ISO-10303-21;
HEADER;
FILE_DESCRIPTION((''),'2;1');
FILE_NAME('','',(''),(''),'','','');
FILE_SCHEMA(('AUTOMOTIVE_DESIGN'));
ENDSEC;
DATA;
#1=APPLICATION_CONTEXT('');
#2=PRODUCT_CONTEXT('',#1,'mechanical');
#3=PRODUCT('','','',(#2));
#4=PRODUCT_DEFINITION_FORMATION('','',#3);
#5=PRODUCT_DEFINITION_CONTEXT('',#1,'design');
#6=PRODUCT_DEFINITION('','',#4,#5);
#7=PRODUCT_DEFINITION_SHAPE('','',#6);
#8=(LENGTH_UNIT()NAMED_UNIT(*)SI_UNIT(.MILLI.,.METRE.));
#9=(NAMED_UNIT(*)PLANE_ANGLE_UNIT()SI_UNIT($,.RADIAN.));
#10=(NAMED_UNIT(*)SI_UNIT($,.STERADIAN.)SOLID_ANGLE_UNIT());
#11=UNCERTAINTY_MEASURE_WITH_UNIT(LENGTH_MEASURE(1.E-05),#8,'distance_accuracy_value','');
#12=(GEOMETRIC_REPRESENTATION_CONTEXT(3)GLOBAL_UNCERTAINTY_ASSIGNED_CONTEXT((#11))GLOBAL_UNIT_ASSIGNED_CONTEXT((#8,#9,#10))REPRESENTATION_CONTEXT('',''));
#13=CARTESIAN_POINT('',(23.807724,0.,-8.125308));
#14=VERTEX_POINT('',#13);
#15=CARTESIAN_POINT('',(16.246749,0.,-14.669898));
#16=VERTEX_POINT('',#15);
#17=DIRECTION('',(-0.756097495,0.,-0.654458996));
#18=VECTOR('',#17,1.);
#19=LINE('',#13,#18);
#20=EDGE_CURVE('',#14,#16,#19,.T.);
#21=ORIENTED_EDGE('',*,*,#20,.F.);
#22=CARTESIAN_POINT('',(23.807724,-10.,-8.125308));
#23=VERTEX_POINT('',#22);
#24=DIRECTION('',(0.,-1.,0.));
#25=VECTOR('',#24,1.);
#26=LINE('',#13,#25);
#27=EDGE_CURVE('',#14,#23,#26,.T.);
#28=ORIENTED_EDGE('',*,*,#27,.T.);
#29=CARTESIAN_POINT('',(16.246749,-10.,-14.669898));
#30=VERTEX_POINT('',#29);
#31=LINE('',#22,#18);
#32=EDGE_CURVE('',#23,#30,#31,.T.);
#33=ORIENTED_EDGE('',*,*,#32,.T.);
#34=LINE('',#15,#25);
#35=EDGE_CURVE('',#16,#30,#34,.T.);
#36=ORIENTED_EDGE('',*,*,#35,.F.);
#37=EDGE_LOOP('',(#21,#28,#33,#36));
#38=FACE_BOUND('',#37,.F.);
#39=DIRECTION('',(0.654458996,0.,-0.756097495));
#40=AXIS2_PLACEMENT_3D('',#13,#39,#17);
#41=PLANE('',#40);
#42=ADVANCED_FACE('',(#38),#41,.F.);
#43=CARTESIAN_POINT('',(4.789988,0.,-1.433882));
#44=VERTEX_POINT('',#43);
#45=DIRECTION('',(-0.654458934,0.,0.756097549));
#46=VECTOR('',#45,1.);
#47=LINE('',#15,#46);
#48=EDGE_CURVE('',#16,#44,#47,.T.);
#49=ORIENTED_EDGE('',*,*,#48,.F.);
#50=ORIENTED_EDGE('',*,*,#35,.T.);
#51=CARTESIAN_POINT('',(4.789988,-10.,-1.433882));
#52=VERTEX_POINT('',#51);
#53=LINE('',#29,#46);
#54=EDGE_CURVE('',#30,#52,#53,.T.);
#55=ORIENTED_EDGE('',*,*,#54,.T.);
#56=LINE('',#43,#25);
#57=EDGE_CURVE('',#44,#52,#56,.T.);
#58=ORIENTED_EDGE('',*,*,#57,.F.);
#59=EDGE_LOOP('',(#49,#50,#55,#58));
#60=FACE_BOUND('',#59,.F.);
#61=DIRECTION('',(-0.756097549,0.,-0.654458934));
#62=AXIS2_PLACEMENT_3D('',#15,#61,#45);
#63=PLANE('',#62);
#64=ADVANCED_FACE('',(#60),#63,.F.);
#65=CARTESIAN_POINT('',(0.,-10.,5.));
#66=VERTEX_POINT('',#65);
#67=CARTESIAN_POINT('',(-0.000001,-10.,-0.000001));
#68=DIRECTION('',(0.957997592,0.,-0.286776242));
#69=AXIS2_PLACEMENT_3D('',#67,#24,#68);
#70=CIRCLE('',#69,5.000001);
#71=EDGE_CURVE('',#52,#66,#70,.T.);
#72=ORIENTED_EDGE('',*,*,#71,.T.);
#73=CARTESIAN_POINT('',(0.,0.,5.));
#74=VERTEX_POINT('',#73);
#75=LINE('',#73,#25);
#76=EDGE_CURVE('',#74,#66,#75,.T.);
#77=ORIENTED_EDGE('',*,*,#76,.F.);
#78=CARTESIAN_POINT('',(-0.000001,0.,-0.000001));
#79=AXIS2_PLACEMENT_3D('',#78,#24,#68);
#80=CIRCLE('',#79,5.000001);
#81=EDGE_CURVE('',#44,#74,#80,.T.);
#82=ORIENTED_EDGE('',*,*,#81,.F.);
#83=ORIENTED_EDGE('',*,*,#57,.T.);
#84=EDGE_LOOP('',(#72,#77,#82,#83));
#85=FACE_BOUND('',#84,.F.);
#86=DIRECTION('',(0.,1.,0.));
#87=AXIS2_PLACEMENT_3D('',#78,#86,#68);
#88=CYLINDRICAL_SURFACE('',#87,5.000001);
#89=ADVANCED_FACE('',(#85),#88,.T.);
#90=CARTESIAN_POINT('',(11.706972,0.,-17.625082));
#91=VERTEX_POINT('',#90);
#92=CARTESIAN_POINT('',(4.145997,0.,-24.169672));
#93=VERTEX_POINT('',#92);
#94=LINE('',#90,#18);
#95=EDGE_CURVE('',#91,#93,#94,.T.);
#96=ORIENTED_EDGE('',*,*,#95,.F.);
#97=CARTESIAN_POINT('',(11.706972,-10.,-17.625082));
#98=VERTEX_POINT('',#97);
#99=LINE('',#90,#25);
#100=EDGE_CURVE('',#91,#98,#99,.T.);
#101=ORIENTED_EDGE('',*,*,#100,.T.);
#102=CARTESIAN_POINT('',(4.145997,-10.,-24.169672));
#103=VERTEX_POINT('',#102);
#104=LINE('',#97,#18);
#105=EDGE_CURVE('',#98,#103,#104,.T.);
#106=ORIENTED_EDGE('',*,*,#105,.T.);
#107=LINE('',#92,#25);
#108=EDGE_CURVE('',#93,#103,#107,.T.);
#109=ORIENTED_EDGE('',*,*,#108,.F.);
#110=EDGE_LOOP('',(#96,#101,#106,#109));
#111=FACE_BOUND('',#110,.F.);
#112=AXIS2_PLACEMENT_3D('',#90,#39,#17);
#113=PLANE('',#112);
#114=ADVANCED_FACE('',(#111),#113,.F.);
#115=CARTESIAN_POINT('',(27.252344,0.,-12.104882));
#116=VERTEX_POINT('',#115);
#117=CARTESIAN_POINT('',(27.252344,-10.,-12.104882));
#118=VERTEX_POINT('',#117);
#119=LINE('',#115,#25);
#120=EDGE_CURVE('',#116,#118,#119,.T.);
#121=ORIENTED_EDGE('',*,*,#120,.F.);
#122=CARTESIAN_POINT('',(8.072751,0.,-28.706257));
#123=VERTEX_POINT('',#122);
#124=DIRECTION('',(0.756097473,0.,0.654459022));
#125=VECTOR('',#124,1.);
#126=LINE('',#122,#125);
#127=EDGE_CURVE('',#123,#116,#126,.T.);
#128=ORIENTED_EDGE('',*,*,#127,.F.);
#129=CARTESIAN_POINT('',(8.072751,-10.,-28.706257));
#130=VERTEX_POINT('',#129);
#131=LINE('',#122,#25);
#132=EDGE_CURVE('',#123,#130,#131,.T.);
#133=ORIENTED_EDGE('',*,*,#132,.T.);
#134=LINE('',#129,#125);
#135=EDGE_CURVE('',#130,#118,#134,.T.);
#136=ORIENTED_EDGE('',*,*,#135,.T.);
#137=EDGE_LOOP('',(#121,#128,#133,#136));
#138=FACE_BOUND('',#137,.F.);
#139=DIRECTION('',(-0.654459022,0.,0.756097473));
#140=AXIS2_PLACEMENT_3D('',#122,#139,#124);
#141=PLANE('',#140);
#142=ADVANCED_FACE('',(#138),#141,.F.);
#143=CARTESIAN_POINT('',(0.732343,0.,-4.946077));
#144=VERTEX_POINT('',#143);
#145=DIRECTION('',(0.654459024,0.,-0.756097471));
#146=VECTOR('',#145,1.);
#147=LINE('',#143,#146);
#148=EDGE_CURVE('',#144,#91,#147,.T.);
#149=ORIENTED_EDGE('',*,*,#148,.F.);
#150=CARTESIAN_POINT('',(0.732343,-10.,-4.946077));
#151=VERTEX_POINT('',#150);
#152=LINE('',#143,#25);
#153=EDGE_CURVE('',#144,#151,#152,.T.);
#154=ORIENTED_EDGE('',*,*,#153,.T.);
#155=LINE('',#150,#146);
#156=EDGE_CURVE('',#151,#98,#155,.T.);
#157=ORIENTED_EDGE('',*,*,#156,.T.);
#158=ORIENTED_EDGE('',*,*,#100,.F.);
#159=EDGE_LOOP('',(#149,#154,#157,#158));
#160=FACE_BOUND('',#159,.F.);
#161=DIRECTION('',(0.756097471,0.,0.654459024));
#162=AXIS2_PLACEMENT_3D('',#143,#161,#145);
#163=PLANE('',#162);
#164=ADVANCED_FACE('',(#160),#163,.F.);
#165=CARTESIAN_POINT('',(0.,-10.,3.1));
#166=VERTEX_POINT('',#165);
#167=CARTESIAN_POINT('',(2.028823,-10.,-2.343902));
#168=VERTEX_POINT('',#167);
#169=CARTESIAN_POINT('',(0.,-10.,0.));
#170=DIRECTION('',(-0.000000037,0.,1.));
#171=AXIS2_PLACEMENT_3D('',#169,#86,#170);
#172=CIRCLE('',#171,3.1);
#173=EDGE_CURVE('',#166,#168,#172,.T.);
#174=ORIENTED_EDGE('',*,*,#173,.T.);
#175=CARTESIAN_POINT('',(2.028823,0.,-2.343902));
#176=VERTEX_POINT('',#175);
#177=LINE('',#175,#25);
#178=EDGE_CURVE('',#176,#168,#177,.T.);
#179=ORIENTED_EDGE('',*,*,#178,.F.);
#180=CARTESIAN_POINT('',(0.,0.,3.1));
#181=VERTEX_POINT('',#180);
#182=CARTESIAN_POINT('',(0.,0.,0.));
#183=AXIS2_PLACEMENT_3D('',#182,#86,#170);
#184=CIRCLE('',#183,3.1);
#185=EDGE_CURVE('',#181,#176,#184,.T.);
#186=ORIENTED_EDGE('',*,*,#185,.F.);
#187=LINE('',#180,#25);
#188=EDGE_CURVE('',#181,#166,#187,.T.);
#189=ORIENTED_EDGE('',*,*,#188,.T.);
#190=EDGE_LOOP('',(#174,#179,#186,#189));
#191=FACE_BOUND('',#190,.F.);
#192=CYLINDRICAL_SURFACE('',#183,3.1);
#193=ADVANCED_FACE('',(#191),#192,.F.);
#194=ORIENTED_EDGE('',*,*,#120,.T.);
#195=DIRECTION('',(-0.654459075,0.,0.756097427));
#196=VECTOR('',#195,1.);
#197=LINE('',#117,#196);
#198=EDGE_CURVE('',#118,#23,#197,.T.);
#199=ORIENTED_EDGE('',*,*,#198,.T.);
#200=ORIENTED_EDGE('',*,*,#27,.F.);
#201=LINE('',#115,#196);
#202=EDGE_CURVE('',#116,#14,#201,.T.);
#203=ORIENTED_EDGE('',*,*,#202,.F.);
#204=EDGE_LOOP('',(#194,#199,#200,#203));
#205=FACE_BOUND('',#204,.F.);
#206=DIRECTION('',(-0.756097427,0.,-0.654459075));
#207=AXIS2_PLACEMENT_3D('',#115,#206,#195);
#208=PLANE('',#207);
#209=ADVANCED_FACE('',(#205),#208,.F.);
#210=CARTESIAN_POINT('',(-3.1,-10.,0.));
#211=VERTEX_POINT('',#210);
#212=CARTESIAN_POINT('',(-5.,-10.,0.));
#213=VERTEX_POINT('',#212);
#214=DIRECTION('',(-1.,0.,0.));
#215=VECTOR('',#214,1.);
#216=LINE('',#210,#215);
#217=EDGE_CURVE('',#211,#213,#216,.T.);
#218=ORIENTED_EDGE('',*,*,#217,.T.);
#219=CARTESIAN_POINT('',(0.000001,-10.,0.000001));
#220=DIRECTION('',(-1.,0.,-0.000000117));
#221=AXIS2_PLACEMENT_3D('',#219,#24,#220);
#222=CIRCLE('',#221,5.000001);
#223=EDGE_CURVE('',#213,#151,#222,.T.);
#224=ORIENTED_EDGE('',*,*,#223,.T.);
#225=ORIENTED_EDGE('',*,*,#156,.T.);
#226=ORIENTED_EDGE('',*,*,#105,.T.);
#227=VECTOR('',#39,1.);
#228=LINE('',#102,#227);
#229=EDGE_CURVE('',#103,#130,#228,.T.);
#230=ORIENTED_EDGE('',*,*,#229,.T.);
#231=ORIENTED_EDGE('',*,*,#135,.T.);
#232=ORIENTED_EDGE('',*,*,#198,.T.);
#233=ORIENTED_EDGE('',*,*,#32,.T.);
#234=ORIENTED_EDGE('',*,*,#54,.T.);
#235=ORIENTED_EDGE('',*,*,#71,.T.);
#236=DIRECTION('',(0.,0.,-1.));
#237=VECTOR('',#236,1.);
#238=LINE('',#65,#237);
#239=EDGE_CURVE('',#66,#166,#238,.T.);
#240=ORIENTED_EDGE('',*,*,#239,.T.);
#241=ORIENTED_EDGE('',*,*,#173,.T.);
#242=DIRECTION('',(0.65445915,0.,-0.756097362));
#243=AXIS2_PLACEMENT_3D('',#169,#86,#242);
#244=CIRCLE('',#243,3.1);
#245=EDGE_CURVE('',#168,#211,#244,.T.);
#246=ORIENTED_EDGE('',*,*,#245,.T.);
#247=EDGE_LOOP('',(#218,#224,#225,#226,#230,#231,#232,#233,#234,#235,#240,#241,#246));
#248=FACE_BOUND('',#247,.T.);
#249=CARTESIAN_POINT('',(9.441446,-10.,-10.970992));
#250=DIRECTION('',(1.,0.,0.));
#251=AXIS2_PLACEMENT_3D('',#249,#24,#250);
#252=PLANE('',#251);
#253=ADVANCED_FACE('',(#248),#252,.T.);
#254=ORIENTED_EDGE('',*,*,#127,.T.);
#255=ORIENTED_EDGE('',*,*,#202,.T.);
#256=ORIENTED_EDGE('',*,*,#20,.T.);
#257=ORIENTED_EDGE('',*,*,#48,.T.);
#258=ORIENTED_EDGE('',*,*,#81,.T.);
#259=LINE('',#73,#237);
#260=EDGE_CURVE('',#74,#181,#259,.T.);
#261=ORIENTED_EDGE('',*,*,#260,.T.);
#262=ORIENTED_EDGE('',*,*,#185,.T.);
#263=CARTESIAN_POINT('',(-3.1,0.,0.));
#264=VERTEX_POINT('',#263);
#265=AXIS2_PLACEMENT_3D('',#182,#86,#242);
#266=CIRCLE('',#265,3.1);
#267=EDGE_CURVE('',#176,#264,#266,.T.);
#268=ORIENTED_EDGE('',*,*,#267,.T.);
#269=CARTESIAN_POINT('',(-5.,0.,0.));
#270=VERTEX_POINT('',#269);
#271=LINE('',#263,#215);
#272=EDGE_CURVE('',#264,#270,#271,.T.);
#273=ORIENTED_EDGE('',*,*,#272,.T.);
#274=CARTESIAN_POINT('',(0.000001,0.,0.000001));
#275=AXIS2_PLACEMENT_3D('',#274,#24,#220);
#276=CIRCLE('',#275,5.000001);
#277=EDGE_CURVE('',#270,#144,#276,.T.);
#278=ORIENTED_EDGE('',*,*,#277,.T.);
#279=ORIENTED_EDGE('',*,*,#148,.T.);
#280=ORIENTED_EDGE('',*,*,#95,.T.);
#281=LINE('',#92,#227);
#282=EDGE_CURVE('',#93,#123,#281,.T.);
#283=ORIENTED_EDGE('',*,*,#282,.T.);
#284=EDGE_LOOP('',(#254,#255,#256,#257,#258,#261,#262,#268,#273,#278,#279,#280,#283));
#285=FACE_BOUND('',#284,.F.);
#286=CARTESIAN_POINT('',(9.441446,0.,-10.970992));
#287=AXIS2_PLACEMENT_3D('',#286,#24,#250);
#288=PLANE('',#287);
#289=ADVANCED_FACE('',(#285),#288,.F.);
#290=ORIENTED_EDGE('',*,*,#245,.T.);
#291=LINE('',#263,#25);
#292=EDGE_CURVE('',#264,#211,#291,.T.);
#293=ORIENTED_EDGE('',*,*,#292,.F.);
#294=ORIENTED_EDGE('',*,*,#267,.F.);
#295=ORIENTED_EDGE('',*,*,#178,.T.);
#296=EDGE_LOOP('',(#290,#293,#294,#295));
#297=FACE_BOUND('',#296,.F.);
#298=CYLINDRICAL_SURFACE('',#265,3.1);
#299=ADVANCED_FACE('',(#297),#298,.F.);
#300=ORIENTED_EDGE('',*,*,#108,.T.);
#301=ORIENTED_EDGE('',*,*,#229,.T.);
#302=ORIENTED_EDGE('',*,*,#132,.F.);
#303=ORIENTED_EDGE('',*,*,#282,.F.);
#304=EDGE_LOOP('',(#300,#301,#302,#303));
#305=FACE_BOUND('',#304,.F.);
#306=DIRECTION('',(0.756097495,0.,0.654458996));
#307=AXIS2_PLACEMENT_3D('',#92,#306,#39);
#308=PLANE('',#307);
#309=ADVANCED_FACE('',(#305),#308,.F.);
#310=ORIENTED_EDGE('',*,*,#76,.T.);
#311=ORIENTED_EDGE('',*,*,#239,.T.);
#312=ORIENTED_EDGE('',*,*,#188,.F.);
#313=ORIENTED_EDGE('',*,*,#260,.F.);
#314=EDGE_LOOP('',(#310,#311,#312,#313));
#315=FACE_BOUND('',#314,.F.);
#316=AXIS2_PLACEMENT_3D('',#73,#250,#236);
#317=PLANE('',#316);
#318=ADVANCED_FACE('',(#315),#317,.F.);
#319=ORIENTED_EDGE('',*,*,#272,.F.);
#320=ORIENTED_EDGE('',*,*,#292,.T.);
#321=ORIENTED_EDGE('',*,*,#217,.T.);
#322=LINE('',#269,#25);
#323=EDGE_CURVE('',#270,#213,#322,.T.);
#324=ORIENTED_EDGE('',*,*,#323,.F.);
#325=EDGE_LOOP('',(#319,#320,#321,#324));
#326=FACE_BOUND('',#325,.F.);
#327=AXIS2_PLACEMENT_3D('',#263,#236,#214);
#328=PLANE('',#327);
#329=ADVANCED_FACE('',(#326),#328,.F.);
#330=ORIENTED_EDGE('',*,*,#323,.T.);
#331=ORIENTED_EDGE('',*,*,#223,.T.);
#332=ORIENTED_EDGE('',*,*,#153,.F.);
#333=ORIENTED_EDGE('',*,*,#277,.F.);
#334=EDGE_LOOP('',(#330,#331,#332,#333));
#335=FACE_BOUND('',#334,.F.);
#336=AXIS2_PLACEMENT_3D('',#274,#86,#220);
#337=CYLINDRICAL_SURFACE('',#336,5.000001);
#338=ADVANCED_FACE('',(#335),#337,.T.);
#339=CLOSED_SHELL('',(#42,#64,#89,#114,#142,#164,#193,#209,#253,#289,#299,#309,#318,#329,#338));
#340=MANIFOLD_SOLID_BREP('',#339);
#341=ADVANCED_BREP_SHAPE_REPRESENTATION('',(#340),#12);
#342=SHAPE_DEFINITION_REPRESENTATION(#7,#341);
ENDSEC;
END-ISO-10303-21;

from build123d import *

# Parameters (mm, degrees)
F1_DEPTH = 10


with BuildPart() as f1:
    # F0 (on Front) → F1 (new body)
    with BuildSketch(Plane.XZ):
        with BuildLine():
            ThreePointArc((2.028823, -2.343902), (-1.288536, -2.819517), (-3.1, 0))
            Line((-3.1, 0), (-4.1, 0))
            Line((-4.1, 0), (-5, 0))
            ThreePointArc((-5, 0), (-3.266365, -3.785612), (0.732343, -4.946077))
            Line((0.732343, -4.946077), (11.706972, -17.625082))
            Line((11.706972, -17.625082), (4.145997, -24.169672))
            Line((4.145997, -24.169672), (8.072751, -28.706257))
            Line((8.072751, -28.706257), (27.252344, -12.104882))
            Line((27.252344, -12.104882), (23.807724, -8.125308))
            Line((23.807724, -8.125308), (16.246749, -14.669898))
            Line((16.246749, -14.669898), (4.789988, -1.433882))
            ThreePointArc((4.789988, -1.433882), (4.010574, 2.985849), (0, 5))
            Line((0, 5), (0, 4.1))
            Line((0, 4.1), (0, 3.1))
            ThreePointArc((0, 3.1), (2.904832, 1.082567), (2.028823, -2.343902))
        make_face()
    extrude(amount=F1_DEPTH)


solid = f1.part
